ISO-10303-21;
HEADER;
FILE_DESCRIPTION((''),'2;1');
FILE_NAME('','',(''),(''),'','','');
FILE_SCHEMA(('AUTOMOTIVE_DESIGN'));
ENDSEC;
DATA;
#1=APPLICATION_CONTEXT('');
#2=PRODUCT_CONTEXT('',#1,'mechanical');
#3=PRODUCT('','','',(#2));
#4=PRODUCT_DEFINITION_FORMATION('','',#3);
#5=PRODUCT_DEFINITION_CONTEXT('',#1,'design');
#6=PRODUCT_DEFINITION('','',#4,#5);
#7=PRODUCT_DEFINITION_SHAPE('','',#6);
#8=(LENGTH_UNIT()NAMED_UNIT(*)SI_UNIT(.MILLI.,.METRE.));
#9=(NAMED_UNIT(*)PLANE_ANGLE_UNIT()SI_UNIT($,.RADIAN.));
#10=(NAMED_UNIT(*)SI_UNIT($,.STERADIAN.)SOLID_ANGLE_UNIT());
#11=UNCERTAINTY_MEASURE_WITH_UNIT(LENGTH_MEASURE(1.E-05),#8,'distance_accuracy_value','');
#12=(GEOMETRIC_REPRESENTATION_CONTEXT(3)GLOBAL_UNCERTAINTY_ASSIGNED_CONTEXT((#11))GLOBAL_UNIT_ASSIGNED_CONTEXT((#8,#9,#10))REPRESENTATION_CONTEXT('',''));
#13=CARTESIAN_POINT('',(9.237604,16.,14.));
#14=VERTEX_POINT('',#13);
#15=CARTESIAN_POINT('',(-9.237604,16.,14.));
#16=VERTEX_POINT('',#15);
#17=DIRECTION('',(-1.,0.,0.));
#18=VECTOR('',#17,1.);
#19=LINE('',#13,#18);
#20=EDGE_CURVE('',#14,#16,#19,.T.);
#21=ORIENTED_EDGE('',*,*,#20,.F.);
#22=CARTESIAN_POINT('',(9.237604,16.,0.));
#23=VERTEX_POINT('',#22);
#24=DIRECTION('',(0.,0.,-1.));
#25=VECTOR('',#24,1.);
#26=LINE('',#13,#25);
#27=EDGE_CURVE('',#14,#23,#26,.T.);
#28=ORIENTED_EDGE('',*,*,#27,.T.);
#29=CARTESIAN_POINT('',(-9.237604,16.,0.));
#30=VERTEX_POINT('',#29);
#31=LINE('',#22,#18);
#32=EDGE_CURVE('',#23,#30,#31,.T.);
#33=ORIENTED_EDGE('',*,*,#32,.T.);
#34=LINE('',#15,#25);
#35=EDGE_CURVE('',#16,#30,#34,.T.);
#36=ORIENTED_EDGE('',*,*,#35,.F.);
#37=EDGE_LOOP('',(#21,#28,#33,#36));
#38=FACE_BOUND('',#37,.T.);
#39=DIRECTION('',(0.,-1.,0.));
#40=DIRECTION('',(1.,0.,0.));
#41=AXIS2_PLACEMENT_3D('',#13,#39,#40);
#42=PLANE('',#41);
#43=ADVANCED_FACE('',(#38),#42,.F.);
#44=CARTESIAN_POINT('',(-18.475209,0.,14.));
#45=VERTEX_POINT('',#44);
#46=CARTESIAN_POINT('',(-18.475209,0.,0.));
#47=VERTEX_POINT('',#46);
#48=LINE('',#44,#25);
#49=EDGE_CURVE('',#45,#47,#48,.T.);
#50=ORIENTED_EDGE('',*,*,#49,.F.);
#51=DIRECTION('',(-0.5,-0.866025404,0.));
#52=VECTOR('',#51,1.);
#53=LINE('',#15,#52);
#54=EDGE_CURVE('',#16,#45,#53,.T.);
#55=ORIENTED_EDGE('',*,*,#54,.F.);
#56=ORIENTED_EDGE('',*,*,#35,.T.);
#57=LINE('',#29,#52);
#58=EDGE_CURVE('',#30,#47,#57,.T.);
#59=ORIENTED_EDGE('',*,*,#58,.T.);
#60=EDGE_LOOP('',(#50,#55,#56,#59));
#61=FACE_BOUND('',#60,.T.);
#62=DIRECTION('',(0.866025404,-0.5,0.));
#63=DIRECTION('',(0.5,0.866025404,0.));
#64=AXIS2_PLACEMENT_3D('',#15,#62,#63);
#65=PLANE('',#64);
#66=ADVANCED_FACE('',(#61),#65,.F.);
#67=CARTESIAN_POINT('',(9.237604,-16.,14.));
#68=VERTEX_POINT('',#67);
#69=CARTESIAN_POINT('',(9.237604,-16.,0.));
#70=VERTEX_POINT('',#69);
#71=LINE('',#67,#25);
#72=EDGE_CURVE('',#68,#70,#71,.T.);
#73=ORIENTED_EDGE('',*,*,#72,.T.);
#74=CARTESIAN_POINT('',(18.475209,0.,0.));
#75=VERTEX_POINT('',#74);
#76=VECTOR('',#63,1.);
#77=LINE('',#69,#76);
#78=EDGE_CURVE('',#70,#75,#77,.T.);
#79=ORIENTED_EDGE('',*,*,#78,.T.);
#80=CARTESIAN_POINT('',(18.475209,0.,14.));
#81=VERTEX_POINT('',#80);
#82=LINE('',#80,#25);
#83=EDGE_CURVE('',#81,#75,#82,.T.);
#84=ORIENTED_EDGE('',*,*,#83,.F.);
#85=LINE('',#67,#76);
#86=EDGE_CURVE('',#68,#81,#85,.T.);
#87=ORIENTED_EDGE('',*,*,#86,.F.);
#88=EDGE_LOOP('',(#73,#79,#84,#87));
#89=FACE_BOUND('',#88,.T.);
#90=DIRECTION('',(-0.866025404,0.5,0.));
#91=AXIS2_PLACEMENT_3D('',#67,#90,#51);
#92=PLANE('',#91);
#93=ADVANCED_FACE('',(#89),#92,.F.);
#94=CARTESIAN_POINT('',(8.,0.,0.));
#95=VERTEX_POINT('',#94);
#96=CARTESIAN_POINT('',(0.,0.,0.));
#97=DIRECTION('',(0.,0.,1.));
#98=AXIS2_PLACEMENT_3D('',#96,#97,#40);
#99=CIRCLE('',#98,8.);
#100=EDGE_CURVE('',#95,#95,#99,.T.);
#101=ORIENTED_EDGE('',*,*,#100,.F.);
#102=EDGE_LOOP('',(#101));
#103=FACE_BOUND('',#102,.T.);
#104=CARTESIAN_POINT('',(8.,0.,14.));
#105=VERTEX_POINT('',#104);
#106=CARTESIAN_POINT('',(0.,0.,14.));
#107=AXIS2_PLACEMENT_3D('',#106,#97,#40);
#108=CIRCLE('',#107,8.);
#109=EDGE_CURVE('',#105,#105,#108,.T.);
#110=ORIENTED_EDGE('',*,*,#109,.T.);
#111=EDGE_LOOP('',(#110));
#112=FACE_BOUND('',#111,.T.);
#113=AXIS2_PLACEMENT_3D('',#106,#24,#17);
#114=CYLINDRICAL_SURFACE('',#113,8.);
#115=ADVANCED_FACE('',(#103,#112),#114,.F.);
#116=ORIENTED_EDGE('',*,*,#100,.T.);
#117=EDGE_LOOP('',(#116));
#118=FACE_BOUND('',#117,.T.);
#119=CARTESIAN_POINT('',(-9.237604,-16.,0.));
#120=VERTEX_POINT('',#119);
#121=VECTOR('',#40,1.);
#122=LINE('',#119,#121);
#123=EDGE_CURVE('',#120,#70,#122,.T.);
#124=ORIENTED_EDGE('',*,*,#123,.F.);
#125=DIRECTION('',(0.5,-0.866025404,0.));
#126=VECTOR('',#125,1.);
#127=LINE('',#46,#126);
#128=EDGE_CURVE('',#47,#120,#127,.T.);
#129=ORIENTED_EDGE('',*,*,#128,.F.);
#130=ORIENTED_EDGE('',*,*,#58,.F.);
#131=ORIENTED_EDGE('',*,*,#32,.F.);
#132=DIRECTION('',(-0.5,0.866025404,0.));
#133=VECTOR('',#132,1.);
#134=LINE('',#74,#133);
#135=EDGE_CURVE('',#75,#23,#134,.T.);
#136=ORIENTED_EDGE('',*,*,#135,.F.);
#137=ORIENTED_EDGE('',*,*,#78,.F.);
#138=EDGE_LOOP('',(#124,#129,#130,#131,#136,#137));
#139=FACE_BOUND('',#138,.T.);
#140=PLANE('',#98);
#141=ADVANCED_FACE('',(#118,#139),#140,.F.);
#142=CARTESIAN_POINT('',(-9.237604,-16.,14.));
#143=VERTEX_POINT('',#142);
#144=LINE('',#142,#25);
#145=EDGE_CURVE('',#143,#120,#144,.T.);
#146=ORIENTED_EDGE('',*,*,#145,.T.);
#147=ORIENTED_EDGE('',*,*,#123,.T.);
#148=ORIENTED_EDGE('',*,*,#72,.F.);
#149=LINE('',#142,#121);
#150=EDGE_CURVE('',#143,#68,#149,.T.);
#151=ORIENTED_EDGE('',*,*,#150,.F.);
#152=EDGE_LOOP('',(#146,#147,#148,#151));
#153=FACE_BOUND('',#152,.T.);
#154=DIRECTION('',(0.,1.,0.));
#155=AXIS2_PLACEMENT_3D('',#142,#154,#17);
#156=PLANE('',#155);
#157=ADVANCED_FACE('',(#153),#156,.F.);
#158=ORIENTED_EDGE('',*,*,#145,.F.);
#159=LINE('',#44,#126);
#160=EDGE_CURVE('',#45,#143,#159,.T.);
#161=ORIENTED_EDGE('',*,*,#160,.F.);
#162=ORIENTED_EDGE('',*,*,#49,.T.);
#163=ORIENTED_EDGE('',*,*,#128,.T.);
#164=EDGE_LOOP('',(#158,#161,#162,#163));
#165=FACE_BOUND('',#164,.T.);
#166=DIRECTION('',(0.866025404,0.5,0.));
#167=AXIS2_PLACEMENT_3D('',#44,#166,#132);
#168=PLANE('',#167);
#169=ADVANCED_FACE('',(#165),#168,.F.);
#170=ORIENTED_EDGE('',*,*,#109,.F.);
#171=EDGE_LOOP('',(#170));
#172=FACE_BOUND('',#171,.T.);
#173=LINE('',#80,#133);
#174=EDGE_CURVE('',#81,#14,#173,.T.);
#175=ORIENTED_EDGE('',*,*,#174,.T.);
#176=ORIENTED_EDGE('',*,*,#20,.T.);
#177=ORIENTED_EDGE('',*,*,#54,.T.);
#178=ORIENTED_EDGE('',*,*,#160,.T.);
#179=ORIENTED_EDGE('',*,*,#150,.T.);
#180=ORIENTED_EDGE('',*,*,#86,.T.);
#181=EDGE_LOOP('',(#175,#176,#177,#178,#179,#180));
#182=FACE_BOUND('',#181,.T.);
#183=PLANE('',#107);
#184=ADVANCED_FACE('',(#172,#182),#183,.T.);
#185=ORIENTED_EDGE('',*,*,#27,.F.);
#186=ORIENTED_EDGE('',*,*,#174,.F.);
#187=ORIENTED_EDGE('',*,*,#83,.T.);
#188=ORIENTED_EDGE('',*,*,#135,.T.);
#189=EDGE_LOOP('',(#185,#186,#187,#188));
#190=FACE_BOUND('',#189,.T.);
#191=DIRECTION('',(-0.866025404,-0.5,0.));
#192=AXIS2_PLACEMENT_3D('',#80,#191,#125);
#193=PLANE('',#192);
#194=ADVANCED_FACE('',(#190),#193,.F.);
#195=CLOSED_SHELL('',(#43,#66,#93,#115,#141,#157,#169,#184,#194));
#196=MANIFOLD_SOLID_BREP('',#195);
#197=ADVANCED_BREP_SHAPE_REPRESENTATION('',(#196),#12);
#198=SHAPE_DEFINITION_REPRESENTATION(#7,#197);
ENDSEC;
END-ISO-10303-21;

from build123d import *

# Parameters (mm, degrees)
SKETCH1_R           = 8
BOSS_EXTRUDE1_DEPTH = 14


with BuildPart() as part:
    # Sketch1 → Boss-Extrude1 (new body)
    with BuildSketch(Plane.XY):
        Polygon((18.475208614, 0), (9.237604307, 16), (-9.237604307, 16), (-18.475208614, 0), (-9.237604307, -16), (9.237604307, -16), align=None)
        Circle(SKETCH1_R, mode=Mode.SUBTRACT)
    extrude(amount=BOSS_EXTRUDE1_DEPTH)


solid = part.part
